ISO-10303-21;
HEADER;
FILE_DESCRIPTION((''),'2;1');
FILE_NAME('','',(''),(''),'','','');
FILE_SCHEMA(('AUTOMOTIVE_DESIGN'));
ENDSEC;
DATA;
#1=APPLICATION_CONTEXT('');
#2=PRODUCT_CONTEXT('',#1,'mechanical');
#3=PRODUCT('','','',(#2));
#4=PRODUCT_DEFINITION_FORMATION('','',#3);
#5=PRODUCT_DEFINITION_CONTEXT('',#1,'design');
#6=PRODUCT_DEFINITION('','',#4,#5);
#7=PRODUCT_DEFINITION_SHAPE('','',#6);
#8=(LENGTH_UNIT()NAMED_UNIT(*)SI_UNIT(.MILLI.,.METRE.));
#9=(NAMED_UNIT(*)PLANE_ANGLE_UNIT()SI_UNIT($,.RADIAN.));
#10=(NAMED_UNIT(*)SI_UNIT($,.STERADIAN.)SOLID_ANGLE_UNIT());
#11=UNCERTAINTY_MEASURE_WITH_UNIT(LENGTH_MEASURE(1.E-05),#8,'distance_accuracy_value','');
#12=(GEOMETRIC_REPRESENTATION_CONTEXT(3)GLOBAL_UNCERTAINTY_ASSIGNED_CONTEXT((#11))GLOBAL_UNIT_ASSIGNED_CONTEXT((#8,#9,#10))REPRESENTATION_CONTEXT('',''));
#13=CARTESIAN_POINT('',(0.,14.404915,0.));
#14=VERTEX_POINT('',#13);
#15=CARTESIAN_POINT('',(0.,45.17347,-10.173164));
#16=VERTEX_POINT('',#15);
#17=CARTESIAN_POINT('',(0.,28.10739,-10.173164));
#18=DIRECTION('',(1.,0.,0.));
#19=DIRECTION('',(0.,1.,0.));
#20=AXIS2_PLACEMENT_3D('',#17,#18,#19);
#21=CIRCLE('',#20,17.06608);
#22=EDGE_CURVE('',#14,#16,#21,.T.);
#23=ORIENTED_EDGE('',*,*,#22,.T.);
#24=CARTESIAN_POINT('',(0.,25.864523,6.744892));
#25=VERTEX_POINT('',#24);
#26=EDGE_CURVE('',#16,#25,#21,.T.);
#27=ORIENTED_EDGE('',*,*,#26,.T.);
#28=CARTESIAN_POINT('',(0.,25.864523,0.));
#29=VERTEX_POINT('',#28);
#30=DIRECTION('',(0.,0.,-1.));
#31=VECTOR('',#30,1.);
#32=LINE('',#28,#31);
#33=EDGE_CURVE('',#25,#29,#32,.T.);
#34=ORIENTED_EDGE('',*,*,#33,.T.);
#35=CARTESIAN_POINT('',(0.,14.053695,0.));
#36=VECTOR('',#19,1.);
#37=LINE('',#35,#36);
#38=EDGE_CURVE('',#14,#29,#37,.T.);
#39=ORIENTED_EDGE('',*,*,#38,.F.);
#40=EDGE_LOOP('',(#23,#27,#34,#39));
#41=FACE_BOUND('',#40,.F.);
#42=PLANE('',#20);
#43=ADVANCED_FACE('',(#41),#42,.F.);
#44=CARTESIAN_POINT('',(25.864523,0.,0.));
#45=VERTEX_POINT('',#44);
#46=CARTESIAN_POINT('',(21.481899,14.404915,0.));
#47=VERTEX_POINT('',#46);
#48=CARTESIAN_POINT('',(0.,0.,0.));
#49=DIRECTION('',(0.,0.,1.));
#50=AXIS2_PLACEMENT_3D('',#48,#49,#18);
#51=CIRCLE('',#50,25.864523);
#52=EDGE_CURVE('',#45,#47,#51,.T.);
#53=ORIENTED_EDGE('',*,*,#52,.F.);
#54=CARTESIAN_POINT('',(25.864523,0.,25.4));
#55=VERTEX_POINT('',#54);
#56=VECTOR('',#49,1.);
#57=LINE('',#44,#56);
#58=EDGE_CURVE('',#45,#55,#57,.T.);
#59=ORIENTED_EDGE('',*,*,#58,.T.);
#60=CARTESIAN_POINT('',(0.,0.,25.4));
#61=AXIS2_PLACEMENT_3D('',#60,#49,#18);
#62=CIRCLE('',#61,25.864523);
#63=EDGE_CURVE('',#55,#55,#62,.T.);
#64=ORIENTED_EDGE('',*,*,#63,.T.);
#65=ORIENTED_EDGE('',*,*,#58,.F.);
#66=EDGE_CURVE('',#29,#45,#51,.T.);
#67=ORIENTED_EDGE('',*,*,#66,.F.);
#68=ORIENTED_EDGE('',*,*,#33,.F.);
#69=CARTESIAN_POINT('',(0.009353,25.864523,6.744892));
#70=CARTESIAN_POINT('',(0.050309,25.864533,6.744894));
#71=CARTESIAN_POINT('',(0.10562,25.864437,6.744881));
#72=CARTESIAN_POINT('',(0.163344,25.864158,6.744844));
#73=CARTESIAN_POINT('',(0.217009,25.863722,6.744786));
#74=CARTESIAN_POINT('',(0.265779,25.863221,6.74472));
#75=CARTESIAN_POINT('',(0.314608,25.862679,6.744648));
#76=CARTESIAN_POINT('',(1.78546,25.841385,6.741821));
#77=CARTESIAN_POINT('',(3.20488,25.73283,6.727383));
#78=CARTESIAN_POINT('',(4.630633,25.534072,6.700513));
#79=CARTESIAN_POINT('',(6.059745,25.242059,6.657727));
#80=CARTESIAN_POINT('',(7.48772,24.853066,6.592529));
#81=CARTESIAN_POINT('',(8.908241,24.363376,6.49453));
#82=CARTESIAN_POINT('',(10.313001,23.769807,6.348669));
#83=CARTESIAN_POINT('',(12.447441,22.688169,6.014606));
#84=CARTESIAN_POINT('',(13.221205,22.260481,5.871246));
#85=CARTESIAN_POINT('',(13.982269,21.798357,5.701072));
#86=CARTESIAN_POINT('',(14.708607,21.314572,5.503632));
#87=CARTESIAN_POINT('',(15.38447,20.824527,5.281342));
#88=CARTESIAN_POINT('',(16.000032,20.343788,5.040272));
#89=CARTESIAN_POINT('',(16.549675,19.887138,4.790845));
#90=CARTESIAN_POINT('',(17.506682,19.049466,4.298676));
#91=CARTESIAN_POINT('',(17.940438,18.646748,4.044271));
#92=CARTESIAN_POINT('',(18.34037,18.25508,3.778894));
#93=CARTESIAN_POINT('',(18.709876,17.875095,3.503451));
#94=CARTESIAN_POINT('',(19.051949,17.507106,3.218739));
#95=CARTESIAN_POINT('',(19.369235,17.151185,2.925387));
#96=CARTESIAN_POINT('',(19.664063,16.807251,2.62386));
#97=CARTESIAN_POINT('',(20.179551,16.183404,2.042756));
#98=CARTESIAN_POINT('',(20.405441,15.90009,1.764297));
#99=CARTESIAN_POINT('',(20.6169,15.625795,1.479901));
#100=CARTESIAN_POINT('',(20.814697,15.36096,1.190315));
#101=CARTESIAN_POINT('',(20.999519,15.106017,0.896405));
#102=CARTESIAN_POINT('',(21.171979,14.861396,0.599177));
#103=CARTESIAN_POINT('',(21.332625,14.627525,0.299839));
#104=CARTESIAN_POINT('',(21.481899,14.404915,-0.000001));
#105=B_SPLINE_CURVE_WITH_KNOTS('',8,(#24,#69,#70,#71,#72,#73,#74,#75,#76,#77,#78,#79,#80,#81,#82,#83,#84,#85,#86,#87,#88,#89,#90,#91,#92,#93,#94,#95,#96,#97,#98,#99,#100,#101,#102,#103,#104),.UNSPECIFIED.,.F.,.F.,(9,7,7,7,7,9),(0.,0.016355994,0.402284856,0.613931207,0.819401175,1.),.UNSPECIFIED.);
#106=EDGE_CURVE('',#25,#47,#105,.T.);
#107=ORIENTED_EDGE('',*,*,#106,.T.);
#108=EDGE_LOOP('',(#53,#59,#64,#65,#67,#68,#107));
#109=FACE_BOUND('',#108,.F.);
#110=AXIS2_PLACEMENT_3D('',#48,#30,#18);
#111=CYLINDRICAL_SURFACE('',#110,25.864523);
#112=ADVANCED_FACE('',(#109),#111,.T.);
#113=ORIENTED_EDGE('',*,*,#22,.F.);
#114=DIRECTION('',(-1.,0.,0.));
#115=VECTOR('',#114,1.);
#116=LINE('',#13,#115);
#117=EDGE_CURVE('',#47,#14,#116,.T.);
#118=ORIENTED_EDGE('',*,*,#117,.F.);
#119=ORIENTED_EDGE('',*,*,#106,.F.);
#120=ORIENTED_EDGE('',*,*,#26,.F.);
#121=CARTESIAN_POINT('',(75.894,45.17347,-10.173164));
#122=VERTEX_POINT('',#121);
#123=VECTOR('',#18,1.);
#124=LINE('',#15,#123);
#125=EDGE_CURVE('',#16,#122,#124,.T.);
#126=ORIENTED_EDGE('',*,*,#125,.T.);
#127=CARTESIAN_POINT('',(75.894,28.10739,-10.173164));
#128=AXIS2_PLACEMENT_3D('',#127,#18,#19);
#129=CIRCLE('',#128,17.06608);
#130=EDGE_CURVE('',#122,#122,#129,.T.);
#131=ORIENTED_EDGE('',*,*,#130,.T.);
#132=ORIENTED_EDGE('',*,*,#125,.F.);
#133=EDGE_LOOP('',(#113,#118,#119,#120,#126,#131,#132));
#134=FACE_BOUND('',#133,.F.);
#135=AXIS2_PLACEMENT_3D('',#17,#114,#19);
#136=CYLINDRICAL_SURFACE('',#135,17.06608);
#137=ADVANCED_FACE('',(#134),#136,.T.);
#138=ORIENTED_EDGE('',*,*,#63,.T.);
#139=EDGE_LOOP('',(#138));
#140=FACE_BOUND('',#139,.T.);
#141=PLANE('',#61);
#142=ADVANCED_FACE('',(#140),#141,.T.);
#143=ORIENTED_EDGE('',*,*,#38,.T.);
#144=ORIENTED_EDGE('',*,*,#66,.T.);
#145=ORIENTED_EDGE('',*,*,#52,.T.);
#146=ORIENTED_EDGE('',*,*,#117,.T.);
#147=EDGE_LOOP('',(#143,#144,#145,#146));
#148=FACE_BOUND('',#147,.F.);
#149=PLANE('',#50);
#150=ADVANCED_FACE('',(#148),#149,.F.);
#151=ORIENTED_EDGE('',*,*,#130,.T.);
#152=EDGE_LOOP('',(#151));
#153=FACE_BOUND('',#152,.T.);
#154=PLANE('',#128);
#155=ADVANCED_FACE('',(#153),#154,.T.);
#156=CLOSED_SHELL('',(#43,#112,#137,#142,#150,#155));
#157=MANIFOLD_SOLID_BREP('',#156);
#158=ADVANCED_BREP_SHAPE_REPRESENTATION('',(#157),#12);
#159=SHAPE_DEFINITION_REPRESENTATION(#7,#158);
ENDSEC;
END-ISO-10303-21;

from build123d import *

# Parameters (mm, degrees)
F0_R     = 25.864523
F1_DEPTH = 25.4
F2_R     = 17.06608
F3_DEPTH = 75.894


with BuildPart() as f1:
    # F0 (on Top) → F1 (new body)
    with BuildSketch(Plane.XY):
        Circle(F0_R)
    extrude(amount=F1_DEPTH)

    # F2 (on Right) → F3 (join)
    with BuildSketch(Plane.YZ):
        with Locations((28.10739, -10.173164)):
            Circle(F2_R)
    extrude(amount=F3_DEPTH)


solid = f1.part
